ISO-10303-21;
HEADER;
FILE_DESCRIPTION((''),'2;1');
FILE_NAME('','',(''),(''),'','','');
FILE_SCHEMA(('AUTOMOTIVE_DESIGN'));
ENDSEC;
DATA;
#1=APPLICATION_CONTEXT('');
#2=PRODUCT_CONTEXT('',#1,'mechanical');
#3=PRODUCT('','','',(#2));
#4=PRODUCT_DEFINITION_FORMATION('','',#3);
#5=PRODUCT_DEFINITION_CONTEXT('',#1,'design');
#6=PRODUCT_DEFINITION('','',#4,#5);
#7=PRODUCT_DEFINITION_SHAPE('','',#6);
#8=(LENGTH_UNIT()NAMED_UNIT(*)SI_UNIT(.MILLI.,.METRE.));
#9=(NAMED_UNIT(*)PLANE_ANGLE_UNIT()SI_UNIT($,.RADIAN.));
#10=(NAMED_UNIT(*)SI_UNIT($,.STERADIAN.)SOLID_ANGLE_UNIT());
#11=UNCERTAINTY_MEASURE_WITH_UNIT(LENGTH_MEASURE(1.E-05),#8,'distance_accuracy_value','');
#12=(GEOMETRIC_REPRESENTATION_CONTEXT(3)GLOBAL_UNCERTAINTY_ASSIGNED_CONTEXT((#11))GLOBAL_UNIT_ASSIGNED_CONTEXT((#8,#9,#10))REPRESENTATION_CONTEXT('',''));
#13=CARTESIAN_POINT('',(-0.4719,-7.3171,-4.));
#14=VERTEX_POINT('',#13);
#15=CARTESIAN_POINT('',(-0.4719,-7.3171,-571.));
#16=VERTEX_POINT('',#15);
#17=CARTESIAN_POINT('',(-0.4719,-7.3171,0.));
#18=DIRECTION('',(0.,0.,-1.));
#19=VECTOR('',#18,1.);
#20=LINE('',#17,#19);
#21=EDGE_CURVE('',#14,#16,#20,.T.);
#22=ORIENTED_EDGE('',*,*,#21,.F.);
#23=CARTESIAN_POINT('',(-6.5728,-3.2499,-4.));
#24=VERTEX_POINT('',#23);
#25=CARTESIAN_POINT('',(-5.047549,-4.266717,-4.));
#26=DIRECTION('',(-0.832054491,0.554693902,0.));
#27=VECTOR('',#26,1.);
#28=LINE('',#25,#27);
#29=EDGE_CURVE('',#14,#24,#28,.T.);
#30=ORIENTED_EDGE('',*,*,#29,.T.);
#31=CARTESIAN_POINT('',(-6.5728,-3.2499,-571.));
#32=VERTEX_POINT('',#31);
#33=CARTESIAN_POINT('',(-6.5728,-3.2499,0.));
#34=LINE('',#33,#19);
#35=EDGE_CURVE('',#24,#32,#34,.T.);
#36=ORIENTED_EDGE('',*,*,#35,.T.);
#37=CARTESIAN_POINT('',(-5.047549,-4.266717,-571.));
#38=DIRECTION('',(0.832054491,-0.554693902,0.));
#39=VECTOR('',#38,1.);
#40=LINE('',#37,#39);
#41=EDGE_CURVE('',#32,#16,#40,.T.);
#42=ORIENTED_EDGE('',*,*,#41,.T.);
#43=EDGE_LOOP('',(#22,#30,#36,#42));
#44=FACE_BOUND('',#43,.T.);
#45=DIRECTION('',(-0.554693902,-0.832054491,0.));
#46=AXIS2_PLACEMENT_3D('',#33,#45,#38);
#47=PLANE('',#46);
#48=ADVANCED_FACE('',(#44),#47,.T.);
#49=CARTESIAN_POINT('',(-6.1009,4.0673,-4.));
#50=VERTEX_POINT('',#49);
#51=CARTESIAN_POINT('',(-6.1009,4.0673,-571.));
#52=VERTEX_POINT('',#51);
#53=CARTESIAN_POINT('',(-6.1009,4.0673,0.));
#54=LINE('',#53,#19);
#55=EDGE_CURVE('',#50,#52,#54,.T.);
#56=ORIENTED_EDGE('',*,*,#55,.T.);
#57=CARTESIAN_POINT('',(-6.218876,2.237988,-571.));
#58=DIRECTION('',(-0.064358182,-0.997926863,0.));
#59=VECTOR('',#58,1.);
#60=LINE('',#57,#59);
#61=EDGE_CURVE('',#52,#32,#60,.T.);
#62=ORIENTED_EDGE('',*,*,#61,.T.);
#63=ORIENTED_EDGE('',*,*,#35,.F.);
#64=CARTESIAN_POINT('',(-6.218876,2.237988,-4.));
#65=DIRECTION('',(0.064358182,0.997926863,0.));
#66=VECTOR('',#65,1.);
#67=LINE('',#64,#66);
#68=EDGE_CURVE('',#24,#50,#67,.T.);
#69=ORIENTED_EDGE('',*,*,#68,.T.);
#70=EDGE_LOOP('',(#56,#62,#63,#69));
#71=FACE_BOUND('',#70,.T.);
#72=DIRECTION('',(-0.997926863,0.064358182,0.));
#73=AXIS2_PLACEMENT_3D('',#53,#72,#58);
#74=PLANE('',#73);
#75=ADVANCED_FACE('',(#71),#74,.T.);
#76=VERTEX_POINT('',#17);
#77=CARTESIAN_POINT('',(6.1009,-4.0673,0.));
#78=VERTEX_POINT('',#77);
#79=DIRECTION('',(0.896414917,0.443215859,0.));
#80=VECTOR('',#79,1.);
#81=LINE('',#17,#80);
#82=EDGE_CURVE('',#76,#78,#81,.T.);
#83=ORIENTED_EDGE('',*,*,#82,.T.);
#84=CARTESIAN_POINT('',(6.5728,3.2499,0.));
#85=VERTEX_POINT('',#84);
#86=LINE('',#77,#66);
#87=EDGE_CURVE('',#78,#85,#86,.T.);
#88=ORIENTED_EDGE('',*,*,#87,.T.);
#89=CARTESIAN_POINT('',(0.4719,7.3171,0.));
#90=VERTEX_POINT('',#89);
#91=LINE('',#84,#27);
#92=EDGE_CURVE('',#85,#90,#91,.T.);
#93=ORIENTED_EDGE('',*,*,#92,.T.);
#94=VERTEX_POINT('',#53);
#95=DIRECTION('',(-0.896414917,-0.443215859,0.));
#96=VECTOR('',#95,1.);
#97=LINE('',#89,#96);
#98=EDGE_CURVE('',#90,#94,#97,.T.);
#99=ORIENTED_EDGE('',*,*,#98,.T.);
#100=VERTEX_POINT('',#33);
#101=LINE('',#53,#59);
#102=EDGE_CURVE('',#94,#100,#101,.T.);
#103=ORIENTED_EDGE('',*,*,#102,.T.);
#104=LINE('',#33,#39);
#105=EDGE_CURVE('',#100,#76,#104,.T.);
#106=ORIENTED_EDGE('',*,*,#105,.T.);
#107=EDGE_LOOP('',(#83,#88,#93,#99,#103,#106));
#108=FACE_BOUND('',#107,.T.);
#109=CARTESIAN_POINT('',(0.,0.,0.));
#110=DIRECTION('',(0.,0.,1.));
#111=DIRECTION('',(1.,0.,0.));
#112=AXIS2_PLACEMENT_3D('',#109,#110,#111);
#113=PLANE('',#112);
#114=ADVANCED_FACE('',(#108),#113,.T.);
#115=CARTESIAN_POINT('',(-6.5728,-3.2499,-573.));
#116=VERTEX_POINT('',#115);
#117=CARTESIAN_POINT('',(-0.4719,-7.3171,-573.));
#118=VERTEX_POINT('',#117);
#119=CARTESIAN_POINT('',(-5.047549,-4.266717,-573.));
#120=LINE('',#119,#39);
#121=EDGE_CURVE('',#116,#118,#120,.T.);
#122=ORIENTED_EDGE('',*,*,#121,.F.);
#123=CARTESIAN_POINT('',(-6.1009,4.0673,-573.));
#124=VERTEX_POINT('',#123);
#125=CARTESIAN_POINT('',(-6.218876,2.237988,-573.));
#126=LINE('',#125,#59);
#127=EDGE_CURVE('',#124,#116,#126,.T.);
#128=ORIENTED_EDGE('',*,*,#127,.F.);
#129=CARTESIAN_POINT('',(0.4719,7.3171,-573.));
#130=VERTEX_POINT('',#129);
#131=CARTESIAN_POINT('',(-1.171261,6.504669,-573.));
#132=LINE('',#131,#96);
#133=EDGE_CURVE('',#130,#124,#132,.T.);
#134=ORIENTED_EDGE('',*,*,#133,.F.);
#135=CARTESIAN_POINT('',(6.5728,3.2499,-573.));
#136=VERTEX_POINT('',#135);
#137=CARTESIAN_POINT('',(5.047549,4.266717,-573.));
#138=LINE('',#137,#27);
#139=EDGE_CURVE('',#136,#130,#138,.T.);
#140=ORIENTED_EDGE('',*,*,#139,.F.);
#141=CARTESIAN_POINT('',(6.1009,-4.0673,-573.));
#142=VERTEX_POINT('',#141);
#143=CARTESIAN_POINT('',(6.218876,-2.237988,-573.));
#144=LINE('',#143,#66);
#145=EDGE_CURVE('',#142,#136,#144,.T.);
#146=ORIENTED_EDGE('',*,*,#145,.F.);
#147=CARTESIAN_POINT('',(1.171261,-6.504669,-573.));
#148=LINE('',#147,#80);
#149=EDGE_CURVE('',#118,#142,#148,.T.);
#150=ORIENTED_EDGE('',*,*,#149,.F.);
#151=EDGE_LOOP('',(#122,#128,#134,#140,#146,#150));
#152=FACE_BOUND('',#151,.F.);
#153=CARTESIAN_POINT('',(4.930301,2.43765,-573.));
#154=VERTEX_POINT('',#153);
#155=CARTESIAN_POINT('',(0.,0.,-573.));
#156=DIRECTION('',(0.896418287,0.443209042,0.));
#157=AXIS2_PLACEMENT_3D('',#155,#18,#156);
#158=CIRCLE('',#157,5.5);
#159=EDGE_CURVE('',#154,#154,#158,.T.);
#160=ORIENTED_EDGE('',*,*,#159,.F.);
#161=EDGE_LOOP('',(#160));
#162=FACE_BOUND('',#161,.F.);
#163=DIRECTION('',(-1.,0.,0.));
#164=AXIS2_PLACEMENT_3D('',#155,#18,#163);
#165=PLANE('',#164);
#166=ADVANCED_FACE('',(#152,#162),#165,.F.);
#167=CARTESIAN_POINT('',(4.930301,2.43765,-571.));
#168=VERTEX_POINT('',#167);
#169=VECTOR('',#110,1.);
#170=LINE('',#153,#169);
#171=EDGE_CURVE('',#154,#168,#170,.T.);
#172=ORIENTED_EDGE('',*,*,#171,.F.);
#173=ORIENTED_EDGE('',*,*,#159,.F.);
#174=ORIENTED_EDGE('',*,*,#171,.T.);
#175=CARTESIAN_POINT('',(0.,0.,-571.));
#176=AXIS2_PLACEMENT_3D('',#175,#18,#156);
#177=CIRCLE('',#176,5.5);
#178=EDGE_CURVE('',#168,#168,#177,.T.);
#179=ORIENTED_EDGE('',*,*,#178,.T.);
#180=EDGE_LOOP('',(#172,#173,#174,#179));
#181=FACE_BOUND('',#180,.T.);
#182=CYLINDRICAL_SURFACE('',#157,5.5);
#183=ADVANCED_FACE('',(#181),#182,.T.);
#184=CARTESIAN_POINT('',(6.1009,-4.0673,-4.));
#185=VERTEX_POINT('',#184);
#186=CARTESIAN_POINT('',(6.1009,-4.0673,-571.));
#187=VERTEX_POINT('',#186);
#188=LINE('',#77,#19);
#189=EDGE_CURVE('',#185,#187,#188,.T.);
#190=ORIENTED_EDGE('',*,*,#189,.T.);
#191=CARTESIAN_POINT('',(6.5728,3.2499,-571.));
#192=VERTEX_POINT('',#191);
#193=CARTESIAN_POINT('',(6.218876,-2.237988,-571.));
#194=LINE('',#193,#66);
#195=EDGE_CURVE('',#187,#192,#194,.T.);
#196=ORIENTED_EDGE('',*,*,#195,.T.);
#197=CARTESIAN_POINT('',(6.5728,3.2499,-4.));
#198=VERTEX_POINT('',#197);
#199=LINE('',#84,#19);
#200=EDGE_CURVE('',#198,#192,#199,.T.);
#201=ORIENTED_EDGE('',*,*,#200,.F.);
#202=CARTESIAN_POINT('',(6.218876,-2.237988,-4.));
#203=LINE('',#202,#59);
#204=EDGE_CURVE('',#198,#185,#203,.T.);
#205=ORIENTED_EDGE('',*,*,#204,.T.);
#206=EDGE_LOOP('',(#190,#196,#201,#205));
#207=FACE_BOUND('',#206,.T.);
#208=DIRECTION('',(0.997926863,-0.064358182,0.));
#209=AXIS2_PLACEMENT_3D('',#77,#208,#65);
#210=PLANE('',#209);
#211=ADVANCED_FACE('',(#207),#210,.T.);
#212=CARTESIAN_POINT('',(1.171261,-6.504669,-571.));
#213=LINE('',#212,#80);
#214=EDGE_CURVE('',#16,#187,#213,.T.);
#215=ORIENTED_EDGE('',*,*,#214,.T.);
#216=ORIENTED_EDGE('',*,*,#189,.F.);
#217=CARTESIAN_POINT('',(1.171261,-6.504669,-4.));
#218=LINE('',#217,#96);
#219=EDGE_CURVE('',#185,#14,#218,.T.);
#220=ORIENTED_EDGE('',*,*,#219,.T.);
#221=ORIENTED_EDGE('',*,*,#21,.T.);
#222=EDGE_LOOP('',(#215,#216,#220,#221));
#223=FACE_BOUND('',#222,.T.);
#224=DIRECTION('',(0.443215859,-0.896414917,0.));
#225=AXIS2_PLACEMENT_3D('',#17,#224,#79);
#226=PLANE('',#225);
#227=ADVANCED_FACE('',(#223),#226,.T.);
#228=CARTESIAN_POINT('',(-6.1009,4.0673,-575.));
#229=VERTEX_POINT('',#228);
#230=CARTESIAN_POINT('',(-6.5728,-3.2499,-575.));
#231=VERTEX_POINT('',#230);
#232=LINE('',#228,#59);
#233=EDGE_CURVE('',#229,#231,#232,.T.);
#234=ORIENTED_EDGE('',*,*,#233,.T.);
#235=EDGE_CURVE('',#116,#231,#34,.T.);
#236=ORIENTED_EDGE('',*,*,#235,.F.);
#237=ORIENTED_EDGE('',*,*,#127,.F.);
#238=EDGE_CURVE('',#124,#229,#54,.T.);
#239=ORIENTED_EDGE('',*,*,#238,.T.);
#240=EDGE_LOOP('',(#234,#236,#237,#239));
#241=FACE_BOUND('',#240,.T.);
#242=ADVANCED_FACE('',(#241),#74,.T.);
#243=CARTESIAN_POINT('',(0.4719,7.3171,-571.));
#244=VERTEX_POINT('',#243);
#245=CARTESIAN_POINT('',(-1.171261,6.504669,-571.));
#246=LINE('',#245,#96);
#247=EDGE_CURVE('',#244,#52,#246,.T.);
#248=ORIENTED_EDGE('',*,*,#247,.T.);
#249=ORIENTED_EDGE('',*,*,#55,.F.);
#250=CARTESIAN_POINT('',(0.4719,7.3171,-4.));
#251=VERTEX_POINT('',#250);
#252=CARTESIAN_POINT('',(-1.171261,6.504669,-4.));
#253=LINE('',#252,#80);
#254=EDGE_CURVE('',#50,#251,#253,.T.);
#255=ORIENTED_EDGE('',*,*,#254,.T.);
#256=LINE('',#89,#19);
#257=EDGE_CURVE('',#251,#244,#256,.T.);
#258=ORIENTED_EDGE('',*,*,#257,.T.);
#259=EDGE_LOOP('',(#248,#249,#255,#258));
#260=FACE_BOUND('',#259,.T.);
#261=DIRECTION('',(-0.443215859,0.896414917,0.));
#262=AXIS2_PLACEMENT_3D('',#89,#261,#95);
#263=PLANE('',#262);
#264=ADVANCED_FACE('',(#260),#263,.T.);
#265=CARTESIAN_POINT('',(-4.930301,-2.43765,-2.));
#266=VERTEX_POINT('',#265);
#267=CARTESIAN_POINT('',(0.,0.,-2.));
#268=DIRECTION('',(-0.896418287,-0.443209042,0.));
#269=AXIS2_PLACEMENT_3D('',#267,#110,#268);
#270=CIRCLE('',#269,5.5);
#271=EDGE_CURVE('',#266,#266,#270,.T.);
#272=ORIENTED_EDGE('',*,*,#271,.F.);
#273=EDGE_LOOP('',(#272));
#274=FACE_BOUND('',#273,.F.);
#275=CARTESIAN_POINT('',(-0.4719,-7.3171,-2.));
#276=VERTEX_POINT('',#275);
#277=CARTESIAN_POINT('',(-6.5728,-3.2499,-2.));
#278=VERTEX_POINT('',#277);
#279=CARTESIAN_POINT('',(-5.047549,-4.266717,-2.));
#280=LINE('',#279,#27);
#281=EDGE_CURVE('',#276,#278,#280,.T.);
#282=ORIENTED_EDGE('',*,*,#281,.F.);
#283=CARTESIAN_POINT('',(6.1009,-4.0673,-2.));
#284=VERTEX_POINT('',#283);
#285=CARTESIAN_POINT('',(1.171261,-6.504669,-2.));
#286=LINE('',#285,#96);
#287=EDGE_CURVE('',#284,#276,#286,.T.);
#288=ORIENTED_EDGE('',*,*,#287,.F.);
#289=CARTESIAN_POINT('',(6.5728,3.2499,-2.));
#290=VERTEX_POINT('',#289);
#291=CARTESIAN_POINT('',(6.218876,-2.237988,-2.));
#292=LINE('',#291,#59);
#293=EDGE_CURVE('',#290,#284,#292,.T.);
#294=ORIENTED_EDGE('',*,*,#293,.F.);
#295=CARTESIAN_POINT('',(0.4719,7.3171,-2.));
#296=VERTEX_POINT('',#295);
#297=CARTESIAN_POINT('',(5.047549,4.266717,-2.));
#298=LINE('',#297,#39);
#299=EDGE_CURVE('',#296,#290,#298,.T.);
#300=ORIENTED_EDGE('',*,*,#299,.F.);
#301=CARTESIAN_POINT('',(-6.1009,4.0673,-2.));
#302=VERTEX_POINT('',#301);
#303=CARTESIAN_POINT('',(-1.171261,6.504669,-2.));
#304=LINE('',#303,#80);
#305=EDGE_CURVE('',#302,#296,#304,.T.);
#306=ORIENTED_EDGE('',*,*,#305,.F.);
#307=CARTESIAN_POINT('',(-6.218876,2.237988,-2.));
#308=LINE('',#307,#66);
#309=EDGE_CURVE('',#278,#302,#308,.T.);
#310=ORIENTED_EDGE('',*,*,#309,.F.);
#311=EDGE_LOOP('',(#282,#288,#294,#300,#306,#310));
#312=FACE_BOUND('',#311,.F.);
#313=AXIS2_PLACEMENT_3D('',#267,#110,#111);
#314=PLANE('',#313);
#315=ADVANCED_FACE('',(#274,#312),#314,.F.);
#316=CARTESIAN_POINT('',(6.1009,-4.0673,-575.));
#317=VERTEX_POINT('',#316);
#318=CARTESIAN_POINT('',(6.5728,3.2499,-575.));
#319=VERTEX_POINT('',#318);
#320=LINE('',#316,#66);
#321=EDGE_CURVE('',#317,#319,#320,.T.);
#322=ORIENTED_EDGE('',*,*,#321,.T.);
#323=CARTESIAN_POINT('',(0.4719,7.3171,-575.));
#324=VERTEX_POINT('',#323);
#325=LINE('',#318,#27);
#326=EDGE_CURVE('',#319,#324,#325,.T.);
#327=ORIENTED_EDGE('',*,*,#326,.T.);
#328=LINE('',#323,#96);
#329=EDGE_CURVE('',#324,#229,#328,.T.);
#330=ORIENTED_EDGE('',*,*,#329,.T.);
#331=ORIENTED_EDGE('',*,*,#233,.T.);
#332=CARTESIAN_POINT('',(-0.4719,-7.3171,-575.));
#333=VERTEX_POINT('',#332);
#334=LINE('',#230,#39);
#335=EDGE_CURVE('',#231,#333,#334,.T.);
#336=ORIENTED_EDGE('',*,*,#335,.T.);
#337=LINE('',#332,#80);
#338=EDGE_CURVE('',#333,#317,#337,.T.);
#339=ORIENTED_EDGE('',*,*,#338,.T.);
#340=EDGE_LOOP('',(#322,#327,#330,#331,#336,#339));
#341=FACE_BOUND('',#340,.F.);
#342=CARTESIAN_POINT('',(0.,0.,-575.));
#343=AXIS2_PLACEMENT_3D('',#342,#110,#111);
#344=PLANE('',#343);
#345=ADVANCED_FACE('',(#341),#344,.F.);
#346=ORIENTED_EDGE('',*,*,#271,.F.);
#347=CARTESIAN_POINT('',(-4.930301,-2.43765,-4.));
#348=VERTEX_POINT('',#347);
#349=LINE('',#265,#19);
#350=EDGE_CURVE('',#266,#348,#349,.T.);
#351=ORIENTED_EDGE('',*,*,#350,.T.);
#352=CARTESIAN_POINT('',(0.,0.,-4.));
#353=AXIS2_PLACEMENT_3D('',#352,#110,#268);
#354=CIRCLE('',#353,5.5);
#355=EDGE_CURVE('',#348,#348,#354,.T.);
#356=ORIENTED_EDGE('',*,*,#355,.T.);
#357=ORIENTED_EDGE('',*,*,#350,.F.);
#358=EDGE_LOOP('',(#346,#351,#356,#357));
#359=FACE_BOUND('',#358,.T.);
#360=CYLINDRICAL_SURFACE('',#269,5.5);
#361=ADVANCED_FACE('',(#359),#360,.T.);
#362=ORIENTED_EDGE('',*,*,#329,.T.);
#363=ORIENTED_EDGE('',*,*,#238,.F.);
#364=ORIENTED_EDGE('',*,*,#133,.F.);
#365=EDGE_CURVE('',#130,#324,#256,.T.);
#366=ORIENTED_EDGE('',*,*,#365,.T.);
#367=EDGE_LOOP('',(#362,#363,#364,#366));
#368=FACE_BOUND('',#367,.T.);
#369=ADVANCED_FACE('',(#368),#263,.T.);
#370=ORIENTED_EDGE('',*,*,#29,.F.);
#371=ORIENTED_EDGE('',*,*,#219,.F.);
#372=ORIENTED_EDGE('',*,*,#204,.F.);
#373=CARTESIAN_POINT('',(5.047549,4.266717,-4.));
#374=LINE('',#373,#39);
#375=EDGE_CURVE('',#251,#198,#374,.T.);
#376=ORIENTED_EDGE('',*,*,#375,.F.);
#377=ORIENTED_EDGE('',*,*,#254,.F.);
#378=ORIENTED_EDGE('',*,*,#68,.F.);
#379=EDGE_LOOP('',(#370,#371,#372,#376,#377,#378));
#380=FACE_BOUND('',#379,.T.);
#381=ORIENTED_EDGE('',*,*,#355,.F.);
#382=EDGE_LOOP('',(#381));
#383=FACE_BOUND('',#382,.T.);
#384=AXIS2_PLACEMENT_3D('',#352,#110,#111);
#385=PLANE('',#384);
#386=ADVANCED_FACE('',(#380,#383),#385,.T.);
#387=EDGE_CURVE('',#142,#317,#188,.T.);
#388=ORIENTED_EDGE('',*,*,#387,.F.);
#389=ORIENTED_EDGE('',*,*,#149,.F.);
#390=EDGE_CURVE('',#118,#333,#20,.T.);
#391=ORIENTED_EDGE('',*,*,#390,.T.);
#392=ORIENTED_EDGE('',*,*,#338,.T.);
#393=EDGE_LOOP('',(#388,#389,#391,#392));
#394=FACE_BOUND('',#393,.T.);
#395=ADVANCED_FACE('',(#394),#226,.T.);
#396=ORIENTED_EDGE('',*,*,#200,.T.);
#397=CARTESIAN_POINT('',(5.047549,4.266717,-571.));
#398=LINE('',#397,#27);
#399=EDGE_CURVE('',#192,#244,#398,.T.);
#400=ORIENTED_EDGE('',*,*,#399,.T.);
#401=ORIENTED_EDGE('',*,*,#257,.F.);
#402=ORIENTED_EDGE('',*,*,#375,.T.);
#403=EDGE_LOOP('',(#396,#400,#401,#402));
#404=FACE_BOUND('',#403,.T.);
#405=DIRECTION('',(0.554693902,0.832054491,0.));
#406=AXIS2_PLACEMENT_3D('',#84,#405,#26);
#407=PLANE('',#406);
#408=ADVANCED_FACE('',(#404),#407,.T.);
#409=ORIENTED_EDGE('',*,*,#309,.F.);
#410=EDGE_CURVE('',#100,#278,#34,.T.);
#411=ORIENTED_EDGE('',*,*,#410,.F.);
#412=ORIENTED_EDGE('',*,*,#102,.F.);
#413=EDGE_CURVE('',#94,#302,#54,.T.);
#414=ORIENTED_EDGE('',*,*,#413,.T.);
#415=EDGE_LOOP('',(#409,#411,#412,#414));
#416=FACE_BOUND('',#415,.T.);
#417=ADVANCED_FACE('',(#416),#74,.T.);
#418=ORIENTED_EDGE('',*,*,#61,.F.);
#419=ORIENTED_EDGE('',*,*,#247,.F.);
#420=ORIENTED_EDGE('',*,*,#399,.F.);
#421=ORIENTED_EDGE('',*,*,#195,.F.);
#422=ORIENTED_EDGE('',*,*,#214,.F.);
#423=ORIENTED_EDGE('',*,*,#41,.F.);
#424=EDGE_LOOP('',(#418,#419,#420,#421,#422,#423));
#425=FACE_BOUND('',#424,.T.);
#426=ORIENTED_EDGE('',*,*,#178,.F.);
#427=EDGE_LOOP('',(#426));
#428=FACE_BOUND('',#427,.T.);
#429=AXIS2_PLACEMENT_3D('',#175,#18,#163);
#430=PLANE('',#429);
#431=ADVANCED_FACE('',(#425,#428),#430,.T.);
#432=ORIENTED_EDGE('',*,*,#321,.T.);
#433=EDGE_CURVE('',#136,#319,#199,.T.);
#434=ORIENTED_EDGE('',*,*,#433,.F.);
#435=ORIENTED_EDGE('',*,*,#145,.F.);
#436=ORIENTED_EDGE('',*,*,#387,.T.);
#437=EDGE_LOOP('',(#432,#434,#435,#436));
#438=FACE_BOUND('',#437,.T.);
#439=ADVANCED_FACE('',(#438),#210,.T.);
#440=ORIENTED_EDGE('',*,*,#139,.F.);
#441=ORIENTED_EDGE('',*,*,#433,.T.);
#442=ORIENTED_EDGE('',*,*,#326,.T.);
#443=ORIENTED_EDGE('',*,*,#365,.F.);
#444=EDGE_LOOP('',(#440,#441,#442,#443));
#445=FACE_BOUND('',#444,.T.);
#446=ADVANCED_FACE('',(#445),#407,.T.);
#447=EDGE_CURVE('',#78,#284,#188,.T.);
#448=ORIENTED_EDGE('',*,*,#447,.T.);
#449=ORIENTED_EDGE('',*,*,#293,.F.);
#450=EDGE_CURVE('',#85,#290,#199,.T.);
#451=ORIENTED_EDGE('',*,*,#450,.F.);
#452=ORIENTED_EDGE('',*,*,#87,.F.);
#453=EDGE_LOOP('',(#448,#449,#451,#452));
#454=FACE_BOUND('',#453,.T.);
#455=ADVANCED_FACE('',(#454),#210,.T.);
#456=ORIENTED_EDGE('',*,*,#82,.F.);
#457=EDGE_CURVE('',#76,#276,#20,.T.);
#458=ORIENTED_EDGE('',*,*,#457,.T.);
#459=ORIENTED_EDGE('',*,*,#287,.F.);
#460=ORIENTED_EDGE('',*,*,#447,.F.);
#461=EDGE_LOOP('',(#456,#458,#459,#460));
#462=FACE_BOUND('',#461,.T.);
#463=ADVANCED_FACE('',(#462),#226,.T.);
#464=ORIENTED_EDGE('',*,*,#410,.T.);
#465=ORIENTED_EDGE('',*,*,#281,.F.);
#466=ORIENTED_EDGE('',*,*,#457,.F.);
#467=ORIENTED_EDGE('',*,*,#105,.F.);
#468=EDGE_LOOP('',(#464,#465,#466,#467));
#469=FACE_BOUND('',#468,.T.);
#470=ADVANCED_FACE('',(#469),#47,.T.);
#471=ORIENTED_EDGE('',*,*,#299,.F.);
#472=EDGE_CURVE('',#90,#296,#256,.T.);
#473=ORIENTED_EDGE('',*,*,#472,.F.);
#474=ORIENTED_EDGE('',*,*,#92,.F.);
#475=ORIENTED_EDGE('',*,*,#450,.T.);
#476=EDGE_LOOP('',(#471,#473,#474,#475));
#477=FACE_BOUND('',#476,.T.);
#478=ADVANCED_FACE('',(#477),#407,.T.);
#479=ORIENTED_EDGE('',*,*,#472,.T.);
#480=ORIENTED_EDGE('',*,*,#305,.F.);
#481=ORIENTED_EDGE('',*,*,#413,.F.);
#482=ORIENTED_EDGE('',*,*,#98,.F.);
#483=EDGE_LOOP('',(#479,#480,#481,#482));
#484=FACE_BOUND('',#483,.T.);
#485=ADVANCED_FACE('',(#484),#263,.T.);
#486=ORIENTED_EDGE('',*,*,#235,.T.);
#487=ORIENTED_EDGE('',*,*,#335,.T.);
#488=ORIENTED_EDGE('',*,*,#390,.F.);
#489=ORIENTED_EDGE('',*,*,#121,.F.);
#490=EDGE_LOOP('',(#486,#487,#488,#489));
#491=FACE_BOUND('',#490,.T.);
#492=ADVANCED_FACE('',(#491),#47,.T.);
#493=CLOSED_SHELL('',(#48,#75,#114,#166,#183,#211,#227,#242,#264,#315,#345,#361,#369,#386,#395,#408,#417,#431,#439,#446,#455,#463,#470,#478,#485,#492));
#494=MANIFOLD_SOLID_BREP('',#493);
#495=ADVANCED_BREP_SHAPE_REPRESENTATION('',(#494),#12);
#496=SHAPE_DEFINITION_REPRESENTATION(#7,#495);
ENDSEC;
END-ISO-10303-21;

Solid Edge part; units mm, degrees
sketch "Sketch1" plane through (0, 0, 0) normal (0, 0, 1) x (1, 0, 0)
  line L0 (-6.1009, 4.0673) -> (-6.5728, -3.2499)
  line L1 (-6.5728, -3.2499) -> (-0.4719, -7.3171)
  line L2 (-0.4719, -7.3171) -> (6.1009, -4.0673)
  line L3 (6.1009, -4.0673) -> (6.5728, 3.2499)
  line L4 (6.5728, 3.2499) -> (0.4719, 7.3171)
  line L5 (0.4719, 7.3171) -> (-6.1009, 4.0673)
extrude "Protrusion1" add sketch "Sketch1" against normal blind 575
sketch "Sketch2" plane through (0, 0, -2) normal (0, 0, 1) x (-0.8964, -0.4432, 0)
  circle A0 centre (0, 0) radius 5.5
  circle A1 centre (0, 0) radius 13.1424
extrude "ExtrudedCutout_1" cut sketch "Sketch2" against normal blind 2
sketch "Sketch3" plane through (0, 0, -573) normal (0, 0, -1) x (0.8964, 0.4432, 0)
  circle A0 centre (0, 0) radius 5.5
  circle A1 centre (0, 0) radius 13.1424
extrude "ExtrudedCutout_2" cut sketch "Sketch3" against normal blind 2
properties part number "BumbleB0544"
